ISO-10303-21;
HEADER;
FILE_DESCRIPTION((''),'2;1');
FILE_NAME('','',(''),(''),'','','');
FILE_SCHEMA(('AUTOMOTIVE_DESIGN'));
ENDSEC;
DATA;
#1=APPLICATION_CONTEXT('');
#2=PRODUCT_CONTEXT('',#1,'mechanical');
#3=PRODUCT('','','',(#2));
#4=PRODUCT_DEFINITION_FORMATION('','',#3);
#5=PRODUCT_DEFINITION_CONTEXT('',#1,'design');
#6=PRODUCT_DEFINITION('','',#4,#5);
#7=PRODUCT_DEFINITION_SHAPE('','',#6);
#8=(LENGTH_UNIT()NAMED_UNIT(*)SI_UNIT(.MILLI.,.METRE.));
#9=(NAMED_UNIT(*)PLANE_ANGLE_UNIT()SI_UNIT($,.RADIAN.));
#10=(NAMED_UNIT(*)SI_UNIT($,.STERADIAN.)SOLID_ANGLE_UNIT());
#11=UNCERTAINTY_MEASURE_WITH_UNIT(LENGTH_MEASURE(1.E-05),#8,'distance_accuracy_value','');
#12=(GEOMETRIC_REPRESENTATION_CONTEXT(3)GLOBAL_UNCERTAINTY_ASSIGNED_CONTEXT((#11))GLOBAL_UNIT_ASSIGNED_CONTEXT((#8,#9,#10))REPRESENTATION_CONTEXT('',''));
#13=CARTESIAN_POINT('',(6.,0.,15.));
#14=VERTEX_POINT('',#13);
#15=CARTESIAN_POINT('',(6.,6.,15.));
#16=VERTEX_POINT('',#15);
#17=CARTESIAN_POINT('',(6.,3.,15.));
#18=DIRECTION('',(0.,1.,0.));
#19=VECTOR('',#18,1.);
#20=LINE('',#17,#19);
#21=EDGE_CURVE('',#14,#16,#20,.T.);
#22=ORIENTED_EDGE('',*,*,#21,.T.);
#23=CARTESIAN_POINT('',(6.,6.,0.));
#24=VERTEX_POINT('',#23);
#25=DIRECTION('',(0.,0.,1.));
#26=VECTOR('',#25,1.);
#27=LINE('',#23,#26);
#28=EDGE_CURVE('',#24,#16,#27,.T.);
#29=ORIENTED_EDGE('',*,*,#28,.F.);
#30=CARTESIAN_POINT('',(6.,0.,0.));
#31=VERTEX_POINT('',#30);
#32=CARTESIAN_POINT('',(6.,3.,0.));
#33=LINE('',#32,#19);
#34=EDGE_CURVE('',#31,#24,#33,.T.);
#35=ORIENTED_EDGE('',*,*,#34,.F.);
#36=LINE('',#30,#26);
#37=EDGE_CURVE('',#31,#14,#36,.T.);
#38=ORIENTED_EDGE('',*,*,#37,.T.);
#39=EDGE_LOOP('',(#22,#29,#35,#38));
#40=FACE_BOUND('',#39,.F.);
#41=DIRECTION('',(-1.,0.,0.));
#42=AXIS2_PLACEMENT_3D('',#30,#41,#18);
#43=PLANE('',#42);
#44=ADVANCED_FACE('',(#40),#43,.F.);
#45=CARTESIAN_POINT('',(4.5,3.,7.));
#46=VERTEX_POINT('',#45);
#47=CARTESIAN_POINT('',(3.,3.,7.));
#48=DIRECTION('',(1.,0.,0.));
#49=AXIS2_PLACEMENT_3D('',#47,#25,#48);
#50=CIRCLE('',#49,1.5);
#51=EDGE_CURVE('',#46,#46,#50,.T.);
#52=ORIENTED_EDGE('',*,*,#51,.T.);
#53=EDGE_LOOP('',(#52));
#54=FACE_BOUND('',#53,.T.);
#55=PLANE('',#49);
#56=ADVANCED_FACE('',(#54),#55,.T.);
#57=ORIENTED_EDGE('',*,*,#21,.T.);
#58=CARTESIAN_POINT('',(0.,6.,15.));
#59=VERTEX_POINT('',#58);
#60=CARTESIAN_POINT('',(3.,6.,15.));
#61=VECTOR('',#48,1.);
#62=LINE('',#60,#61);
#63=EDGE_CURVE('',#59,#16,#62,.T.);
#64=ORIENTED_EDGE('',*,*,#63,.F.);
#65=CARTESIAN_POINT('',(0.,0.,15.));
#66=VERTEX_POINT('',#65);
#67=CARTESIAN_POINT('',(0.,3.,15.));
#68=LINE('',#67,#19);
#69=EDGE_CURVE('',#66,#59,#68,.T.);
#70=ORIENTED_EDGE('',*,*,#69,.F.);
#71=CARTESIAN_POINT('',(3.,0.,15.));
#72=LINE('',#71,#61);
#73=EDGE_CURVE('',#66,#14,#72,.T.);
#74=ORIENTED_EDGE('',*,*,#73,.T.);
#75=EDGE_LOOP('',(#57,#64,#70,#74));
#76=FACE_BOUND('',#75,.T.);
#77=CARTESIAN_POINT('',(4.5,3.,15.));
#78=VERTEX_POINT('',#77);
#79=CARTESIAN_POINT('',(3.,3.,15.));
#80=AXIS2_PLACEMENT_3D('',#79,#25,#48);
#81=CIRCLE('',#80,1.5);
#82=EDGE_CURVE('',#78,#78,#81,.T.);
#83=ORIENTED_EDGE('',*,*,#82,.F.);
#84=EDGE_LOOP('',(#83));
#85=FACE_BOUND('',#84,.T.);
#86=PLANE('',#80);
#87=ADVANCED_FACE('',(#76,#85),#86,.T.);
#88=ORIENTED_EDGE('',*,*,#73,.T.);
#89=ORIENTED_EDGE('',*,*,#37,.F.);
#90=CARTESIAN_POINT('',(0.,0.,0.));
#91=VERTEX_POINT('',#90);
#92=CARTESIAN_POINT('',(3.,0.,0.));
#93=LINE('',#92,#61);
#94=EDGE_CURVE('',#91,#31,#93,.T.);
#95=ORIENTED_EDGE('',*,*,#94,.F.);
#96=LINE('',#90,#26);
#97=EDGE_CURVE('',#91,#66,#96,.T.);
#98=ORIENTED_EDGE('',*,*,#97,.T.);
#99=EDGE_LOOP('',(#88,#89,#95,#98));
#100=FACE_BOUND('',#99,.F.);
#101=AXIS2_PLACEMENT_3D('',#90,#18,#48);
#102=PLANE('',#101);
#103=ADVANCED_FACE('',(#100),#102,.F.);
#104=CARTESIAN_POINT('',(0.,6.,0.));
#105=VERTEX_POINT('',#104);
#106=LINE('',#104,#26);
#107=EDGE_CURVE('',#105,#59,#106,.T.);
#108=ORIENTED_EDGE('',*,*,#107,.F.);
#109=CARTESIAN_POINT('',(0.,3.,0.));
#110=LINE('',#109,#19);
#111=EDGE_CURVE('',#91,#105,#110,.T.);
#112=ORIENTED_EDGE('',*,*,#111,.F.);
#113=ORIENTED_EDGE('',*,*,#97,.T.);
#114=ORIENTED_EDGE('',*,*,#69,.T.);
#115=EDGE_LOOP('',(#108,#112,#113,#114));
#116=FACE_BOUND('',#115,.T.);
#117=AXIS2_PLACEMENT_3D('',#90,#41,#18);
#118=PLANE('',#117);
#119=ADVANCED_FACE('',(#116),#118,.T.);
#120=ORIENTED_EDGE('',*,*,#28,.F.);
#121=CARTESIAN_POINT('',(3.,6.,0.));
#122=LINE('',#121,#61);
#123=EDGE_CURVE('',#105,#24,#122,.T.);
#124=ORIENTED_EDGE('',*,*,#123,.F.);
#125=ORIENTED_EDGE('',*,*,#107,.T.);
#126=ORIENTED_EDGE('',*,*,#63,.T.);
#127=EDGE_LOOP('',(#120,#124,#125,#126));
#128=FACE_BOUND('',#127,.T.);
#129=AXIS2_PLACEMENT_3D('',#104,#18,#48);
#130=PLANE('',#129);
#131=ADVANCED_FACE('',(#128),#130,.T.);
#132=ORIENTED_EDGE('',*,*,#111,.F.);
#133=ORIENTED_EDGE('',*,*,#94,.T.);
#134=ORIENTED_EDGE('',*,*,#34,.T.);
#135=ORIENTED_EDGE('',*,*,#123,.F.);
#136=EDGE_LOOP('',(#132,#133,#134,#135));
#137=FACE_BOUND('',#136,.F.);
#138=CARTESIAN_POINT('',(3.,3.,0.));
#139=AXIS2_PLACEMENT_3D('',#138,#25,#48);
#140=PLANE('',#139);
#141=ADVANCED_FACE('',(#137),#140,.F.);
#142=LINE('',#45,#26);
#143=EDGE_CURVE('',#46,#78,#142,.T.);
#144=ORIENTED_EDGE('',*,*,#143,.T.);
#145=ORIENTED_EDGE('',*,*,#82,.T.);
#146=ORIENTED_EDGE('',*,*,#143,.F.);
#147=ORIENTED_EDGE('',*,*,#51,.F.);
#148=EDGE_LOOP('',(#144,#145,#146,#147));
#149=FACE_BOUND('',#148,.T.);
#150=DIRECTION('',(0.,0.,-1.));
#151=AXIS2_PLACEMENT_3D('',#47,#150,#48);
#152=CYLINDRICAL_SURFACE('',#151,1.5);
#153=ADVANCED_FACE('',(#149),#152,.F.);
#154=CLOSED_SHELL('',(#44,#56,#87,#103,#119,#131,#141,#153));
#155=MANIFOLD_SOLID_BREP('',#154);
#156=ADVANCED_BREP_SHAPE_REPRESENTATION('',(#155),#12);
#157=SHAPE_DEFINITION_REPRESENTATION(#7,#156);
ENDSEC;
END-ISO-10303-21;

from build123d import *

# Parameters (mm, degrees)
CYLINDER_R     = 1.5
CYLINDER_DEPTH = 8
BOX_W          = 6
BOX_H          = 6
BOX_DEPTH      = 15


with BuildPart() as cylinder:
    # Cylinder → Cylinder (new body)
    with BuildSketch(Plane(origin=(3, 3, 7), x_dir=(1, 0, 0), z_dir=(0, 0, 1))):
        Circle(CYLINDER_R)
    extrude(amount=CYLINDER_DEPTH)


with BuildPart() as cut:
    # Box → Box (new body)
    with BuildSketch(Plane.XY):
        with Locations((3, 3)):
            Rectangle(BOX_W, BOX_H)
    extrude(amount=BOX_DEPTH)

    # Cut: cut Cylinder
    add(cylinder.part, mode=Mode.SUBTRACT)


solid = cut.part
